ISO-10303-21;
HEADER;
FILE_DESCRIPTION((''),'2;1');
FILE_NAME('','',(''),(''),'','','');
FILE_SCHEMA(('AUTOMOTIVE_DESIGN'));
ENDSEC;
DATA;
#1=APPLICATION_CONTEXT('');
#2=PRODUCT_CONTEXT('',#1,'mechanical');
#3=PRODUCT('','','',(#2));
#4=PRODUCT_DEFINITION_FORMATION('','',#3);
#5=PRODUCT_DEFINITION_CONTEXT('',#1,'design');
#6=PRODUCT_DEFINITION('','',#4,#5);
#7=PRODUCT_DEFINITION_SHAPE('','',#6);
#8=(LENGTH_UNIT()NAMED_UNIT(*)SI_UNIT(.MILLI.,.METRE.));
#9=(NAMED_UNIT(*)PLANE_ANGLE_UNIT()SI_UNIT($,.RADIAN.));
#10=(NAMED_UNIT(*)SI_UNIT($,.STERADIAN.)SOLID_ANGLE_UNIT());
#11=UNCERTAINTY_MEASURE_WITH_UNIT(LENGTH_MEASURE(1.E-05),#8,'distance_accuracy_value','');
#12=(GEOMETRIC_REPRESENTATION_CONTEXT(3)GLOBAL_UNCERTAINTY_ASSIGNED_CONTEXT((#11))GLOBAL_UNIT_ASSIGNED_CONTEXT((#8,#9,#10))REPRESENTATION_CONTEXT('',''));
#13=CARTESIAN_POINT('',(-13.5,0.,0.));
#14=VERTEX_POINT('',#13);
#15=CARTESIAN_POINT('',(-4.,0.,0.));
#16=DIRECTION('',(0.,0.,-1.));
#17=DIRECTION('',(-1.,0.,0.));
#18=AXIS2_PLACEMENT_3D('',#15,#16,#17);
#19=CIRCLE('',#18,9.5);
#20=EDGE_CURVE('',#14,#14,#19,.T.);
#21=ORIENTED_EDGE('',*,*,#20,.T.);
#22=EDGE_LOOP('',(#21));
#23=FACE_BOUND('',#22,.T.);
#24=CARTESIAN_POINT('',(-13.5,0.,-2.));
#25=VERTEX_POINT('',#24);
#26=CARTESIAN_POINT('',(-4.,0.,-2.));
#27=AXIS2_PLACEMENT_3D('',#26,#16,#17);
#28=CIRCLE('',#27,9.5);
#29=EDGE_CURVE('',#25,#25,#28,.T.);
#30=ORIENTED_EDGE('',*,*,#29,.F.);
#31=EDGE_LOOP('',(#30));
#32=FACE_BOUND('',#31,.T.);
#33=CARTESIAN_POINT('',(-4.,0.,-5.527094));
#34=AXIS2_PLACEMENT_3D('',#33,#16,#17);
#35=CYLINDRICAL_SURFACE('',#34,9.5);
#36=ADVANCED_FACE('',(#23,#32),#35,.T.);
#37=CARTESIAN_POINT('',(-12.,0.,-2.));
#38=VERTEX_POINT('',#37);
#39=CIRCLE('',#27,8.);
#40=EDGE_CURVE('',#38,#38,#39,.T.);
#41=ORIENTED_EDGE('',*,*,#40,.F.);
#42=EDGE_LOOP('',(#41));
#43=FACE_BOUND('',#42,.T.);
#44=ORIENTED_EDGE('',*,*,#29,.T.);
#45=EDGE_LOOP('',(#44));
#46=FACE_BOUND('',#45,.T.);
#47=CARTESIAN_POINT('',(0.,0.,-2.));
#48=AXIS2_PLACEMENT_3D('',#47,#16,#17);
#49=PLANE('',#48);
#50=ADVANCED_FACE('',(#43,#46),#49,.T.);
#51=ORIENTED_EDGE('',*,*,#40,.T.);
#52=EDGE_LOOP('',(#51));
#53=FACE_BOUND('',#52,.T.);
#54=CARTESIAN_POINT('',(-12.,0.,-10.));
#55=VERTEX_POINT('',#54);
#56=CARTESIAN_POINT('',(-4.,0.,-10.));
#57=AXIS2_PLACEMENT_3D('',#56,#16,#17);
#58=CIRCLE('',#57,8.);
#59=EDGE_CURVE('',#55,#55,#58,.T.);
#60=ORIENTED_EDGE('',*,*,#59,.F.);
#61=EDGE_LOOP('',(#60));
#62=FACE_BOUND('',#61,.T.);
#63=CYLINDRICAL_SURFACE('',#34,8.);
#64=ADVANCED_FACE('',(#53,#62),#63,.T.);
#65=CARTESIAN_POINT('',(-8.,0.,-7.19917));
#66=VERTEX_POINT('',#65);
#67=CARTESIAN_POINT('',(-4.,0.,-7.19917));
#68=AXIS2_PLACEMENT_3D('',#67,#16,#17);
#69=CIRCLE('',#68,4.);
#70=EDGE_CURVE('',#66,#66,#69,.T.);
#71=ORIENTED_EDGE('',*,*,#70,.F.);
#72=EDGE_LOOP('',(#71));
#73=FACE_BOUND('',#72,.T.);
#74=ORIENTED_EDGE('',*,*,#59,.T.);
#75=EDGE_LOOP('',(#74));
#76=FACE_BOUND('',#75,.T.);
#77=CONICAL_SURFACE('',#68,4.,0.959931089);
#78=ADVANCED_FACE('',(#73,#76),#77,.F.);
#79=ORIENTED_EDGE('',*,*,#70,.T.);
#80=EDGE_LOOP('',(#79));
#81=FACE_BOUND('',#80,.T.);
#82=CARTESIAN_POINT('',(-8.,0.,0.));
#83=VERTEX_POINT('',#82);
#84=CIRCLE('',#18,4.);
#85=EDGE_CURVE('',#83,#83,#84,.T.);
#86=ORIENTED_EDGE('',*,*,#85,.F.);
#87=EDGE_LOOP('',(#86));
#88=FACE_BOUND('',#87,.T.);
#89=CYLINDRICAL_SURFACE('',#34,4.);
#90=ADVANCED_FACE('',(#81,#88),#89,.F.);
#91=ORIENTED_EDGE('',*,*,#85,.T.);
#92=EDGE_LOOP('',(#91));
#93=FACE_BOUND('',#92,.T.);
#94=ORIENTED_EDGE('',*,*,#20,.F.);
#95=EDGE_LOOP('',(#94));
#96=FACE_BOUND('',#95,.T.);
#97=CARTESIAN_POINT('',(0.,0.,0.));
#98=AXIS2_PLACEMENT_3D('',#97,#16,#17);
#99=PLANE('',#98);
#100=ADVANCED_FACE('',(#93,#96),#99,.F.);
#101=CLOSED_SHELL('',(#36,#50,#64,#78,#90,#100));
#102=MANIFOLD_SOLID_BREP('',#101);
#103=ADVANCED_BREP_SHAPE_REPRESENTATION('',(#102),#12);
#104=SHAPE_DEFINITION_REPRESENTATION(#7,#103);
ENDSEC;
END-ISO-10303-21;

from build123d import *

# Parameters (mm, degrees)
SKETCH_1_W = 5.5
SKETCH_1_H = 2


with BuildPart() as part:
    # Эскиз1 → Повернуть1 (revolve)
    with BuildSketch(Plane(origin=(0, 0, 0), x_dir=(1, 0, 0), z_dir=(0, 1, 0))):
        Polygon((0, 7.199169847), (0, 2), (4, 2), (4, 10), align=None)
        with Locations((2.75, 1)):
            Rectangle(SKETCH_1_W, SKETCH_1_H)
    revolve(axis=Axis((-4, 0, -5.527093596), (0, 0, 1)))


solid = part.part
